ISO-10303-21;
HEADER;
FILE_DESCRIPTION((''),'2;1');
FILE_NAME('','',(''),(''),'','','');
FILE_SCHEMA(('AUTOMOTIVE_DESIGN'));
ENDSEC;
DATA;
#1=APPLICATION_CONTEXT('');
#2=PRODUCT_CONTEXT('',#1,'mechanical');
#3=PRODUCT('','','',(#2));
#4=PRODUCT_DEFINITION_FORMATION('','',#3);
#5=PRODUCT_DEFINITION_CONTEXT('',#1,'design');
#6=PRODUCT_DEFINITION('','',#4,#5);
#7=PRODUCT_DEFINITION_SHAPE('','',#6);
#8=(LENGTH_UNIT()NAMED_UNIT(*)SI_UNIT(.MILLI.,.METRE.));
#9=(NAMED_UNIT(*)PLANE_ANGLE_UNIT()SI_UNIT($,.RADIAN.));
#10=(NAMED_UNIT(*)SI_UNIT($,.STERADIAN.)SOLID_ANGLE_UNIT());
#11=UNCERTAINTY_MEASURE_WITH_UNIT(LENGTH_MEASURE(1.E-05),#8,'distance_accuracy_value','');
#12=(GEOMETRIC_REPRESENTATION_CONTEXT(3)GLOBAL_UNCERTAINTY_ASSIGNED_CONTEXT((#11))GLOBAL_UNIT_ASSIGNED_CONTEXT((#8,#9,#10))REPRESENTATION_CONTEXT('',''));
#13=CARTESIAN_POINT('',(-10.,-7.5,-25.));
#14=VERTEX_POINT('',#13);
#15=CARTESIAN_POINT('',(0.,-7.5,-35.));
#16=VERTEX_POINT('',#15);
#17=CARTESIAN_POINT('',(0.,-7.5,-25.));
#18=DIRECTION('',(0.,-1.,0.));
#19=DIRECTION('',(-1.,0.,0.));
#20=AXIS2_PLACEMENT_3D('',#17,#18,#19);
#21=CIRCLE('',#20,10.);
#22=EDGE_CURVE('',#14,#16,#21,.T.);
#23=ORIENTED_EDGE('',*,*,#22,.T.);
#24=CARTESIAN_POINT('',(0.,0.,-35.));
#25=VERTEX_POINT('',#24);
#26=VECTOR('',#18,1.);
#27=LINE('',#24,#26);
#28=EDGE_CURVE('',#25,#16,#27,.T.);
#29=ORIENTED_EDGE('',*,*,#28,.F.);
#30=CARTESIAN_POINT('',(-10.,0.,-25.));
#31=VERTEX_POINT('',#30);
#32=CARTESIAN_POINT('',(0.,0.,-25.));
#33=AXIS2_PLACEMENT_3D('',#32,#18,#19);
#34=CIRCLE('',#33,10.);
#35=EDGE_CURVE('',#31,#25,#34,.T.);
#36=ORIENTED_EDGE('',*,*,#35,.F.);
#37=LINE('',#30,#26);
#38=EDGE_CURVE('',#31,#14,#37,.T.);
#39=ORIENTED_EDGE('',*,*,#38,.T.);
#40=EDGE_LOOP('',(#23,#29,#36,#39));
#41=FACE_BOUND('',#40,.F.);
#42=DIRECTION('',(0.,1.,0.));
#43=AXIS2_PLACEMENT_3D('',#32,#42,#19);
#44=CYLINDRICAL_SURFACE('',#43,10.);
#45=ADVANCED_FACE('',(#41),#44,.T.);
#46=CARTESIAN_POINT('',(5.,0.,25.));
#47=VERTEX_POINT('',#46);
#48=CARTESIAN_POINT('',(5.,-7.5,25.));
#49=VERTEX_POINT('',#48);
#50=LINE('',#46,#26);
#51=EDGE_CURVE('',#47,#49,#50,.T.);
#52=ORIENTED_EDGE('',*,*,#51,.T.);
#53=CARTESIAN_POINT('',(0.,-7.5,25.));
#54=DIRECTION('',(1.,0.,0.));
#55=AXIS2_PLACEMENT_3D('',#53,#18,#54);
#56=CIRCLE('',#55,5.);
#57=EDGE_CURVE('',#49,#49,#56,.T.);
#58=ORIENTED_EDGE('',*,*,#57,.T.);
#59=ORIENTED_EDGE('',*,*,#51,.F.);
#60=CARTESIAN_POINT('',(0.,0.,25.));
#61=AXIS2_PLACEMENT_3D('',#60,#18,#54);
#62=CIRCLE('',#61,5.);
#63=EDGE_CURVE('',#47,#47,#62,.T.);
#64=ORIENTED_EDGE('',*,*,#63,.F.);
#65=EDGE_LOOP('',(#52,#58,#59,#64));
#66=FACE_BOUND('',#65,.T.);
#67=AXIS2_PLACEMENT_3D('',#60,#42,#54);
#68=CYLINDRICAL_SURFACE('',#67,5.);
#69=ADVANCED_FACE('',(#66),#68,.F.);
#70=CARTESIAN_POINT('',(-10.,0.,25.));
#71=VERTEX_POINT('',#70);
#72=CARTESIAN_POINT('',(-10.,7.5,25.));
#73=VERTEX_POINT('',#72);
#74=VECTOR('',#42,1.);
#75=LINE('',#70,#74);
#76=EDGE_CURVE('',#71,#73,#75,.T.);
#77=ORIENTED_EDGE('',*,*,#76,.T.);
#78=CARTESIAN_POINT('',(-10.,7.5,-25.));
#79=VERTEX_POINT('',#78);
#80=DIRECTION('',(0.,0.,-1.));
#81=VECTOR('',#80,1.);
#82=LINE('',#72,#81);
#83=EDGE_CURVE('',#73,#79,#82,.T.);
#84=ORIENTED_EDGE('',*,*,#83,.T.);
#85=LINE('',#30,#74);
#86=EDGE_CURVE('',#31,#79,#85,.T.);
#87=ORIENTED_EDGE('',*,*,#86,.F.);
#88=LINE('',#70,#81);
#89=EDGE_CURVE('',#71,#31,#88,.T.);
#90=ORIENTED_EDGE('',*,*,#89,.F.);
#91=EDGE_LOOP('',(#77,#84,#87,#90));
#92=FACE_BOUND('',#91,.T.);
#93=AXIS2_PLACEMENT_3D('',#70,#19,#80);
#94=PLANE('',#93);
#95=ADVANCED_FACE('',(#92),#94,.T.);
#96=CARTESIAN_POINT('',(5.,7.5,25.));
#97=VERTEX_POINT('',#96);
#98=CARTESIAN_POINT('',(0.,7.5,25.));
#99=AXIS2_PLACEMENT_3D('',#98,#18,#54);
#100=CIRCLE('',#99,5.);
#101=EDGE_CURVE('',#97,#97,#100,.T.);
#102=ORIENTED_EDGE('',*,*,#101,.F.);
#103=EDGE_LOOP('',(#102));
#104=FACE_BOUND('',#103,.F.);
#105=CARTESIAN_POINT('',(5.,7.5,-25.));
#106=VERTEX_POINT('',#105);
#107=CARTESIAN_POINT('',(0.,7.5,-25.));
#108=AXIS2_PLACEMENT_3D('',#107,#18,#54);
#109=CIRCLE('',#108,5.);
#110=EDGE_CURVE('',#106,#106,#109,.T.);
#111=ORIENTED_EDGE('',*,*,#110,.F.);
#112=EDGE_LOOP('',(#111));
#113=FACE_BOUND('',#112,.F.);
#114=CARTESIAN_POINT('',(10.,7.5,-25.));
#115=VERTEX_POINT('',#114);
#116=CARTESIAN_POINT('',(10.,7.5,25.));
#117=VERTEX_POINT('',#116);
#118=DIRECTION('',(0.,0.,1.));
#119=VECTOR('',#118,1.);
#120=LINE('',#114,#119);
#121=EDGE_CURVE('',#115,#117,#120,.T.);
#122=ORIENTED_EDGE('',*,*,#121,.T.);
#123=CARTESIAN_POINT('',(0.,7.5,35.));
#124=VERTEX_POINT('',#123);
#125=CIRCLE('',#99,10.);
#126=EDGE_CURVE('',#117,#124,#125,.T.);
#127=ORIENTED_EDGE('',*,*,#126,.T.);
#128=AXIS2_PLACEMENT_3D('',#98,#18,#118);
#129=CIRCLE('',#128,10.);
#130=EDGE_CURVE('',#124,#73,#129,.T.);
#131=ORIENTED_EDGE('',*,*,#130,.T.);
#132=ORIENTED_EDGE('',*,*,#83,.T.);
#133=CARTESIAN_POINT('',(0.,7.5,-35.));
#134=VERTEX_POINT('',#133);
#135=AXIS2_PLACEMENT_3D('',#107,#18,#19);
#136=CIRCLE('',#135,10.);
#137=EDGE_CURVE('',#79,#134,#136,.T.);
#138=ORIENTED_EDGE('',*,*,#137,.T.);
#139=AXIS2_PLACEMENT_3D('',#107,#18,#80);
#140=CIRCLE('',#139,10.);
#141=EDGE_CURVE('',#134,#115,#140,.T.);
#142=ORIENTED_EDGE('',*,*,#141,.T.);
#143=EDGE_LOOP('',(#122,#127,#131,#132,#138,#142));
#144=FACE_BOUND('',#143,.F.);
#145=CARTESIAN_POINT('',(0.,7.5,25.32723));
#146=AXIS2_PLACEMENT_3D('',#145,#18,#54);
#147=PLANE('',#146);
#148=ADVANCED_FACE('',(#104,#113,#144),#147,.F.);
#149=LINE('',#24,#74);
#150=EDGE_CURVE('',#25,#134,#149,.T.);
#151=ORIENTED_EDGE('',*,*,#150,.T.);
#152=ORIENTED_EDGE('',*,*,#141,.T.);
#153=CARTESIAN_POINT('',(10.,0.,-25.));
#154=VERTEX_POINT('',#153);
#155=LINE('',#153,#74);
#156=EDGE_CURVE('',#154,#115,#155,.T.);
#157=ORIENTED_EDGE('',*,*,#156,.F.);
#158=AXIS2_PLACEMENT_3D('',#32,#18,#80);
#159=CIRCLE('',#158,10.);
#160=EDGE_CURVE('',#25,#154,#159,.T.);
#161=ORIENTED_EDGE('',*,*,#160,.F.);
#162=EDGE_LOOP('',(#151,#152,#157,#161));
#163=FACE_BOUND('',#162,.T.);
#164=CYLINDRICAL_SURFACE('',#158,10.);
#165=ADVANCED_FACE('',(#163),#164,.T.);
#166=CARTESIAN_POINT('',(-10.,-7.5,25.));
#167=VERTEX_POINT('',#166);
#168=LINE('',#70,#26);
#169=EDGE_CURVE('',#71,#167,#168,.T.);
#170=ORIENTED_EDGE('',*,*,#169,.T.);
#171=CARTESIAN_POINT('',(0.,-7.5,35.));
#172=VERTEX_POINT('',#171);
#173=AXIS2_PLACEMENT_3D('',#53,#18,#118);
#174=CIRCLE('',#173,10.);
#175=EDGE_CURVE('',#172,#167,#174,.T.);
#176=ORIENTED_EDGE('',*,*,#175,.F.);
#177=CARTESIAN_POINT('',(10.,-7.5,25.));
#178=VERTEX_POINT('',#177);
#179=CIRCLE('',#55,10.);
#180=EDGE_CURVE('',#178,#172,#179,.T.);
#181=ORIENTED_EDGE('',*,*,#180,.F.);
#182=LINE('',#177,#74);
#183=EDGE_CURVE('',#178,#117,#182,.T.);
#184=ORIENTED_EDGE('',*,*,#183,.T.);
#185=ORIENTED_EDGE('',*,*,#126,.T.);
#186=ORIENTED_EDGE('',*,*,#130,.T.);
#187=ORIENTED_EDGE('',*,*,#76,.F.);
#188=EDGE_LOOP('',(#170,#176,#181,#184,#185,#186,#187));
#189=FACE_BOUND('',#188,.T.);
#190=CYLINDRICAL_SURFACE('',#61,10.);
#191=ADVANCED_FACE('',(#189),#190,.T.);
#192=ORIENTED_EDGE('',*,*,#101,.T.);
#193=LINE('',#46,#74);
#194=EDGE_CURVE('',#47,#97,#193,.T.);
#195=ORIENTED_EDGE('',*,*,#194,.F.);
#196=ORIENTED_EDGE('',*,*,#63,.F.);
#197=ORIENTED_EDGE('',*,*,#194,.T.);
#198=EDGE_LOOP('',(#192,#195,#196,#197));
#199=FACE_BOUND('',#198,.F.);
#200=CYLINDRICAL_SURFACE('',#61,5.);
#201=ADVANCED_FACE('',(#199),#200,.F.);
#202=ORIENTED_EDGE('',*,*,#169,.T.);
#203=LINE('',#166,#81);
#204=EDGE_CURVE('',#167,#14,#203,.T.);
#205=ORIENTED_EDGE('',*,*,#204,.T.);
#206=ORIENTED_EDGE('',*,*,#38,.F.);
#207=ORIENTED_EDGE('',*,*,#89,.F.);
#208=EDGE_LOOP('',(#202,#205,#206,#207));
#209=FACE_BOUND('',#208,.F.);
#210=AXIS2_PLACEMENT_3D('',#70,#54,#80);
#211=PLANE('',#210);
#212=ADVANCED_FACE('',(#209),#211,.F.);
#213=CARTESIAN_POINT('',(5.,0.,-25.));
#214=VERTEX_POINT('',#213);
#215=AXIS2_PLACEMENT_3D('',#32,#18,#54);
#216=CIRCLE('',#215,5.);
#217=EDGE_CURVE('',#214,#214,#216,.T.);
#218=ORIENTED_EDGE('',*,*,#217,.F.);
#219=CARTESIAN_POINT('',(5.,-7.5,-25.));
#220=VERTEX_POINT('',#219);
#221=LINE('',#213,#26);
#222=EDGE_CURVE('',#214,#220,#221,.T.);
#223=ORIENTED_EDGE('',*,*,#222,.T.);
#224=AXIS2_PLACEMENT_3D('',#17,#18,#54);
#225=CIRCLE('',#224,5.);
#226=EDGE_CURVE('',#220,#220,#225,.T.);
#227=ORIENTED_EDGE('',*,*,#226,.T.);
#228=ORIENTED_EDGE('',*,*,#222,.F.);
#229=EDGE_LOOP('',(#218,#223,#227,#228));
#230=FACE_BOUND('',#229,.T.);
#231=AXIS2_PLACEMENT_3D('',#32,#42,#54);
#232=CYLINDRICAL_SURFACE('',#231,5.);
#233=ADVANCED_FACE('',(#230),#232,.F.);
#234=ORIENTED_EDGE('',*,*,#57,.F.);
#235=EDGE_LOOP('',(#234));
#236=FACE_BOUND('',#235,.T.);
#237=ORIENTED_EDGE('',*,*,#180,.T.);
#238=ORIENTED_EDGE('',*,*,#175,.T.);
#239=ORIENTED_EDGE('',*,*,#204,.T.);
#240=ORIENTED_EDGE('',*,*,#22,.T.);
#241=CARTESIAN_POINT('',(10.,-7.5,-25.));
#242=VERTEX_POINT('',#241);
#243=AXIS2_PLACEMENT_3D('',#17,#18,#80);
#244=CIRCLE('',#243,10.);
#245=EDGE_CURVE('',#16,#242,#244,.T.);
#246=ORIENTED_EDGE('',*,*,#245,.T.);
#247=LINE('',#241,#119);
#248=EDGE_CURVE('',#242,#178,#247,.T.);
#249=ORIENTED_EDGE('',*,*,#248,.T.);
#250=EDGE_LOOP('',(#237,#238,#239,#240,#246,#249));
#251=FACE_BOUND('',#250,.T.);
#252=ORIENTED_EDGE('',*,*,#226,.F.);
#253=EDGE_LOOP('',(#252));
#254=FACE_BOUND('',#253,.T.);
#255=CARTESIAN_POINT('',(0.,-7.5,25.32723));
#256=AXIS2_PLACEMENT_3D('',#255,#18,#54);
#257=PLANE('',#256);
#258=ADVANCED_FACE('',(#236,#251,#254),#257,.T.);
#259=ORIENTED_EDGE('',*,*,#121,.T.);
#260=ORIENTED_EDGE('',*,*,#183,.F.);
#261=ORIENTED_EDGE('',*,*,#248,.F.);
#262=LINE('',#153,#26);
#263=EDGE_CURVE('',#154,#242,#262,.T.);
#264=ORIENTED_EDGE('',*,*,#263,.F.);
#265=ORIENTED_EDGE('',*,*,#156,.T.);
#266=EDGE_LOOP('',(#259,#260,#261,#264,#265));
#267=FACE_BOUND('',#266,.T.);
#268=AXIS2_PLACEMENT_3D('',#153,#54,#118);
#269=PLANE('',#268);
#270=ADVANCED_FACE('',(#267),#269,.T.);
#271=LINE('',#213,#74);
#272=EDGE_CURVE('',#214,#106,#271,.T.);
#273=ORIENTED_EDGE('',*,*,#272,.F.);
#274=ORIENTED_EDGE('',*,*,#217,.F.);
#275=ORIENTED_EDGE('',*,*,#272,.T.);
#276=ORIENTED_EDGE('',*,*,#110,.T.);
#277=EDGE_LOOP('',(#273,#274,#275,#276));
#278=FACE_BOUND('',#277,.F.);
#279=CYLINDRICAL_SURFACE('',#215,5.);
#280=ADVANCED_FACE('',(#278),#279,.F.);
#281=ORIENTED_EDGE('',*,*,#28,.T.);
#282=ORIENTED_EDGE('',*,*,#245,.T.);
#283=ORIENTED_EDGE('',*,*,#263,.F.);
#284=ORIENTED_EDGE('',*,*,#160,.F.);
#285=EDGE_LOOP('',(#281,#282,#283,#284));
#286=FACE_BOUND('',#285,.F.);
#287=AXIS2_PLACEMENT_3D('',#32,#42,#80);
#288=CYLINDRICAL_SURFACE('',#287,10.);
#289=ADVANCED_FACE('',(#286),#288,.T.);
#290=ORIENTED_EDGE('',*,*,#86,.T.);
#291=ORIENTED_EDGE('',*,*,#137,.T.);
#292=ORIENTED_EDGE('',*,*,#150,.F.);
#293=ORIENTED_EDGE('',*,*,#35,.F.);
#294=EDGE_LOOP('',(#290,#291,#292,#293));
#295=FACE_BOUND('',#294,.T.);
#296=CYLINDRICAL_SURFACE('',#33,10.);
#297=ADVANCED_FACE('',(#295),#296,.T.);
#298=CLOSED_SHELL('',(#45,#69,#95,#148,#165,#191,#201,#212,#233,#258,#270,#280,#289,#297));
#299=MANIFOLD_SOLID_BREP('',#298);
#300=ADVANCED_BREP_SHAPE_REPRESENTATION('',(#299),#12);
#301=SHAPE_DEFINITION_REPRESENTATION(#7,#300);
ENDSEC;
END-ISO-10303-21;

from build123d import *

# Parameters (mm, degrees)
F0_R     = 5
F1_DEPTH = 7.5


with BuildPart() as f1:
    # F0 (on Front) → F1 (new body, symmetric)
    with BuildSketch(Plane.XZ):
        with BuildLine():
            ThreePointArc((10, 25), (7.0710678119, 32.0710678119), (0, 35))
            ThreePointArc((0, 35), (-7.0710678119, 32.0710678119), (-10, 25))
            ThreePointArc((-10, 25), (0, 15), (10, 25))
        make_face()
        with Locations((0, 25)):
            Circle(F0_R, mode=Mode.SUBTRACT)
        with BuildLine():
            ThreePointArc((10, 25), (0, 15), (-10, 25))
            Line((-10, 25), (-10, -25))
            ThreePointArc((-10, -25), (0, -15), (10, -25))
            Line((10, -25), (10, 25))
        make_face()
        with BuildLine():
            ThreePointArc((10, -25), (0, -15), (-10, -25))
            ThreePointArc((-10, -25), (-7.0710678119, -32.0710678119), (0, -35))
            ThreePointArc((0, -35), (7.0710678119, -32.0710678119), (10, -25))
        make_face()
        with Locations((0, -25)):
            Circle(F0_R, mode=Mode.SUBTRACT)
    extrude(amount=F1_DEPTH, both=True)


solid = f1.part
